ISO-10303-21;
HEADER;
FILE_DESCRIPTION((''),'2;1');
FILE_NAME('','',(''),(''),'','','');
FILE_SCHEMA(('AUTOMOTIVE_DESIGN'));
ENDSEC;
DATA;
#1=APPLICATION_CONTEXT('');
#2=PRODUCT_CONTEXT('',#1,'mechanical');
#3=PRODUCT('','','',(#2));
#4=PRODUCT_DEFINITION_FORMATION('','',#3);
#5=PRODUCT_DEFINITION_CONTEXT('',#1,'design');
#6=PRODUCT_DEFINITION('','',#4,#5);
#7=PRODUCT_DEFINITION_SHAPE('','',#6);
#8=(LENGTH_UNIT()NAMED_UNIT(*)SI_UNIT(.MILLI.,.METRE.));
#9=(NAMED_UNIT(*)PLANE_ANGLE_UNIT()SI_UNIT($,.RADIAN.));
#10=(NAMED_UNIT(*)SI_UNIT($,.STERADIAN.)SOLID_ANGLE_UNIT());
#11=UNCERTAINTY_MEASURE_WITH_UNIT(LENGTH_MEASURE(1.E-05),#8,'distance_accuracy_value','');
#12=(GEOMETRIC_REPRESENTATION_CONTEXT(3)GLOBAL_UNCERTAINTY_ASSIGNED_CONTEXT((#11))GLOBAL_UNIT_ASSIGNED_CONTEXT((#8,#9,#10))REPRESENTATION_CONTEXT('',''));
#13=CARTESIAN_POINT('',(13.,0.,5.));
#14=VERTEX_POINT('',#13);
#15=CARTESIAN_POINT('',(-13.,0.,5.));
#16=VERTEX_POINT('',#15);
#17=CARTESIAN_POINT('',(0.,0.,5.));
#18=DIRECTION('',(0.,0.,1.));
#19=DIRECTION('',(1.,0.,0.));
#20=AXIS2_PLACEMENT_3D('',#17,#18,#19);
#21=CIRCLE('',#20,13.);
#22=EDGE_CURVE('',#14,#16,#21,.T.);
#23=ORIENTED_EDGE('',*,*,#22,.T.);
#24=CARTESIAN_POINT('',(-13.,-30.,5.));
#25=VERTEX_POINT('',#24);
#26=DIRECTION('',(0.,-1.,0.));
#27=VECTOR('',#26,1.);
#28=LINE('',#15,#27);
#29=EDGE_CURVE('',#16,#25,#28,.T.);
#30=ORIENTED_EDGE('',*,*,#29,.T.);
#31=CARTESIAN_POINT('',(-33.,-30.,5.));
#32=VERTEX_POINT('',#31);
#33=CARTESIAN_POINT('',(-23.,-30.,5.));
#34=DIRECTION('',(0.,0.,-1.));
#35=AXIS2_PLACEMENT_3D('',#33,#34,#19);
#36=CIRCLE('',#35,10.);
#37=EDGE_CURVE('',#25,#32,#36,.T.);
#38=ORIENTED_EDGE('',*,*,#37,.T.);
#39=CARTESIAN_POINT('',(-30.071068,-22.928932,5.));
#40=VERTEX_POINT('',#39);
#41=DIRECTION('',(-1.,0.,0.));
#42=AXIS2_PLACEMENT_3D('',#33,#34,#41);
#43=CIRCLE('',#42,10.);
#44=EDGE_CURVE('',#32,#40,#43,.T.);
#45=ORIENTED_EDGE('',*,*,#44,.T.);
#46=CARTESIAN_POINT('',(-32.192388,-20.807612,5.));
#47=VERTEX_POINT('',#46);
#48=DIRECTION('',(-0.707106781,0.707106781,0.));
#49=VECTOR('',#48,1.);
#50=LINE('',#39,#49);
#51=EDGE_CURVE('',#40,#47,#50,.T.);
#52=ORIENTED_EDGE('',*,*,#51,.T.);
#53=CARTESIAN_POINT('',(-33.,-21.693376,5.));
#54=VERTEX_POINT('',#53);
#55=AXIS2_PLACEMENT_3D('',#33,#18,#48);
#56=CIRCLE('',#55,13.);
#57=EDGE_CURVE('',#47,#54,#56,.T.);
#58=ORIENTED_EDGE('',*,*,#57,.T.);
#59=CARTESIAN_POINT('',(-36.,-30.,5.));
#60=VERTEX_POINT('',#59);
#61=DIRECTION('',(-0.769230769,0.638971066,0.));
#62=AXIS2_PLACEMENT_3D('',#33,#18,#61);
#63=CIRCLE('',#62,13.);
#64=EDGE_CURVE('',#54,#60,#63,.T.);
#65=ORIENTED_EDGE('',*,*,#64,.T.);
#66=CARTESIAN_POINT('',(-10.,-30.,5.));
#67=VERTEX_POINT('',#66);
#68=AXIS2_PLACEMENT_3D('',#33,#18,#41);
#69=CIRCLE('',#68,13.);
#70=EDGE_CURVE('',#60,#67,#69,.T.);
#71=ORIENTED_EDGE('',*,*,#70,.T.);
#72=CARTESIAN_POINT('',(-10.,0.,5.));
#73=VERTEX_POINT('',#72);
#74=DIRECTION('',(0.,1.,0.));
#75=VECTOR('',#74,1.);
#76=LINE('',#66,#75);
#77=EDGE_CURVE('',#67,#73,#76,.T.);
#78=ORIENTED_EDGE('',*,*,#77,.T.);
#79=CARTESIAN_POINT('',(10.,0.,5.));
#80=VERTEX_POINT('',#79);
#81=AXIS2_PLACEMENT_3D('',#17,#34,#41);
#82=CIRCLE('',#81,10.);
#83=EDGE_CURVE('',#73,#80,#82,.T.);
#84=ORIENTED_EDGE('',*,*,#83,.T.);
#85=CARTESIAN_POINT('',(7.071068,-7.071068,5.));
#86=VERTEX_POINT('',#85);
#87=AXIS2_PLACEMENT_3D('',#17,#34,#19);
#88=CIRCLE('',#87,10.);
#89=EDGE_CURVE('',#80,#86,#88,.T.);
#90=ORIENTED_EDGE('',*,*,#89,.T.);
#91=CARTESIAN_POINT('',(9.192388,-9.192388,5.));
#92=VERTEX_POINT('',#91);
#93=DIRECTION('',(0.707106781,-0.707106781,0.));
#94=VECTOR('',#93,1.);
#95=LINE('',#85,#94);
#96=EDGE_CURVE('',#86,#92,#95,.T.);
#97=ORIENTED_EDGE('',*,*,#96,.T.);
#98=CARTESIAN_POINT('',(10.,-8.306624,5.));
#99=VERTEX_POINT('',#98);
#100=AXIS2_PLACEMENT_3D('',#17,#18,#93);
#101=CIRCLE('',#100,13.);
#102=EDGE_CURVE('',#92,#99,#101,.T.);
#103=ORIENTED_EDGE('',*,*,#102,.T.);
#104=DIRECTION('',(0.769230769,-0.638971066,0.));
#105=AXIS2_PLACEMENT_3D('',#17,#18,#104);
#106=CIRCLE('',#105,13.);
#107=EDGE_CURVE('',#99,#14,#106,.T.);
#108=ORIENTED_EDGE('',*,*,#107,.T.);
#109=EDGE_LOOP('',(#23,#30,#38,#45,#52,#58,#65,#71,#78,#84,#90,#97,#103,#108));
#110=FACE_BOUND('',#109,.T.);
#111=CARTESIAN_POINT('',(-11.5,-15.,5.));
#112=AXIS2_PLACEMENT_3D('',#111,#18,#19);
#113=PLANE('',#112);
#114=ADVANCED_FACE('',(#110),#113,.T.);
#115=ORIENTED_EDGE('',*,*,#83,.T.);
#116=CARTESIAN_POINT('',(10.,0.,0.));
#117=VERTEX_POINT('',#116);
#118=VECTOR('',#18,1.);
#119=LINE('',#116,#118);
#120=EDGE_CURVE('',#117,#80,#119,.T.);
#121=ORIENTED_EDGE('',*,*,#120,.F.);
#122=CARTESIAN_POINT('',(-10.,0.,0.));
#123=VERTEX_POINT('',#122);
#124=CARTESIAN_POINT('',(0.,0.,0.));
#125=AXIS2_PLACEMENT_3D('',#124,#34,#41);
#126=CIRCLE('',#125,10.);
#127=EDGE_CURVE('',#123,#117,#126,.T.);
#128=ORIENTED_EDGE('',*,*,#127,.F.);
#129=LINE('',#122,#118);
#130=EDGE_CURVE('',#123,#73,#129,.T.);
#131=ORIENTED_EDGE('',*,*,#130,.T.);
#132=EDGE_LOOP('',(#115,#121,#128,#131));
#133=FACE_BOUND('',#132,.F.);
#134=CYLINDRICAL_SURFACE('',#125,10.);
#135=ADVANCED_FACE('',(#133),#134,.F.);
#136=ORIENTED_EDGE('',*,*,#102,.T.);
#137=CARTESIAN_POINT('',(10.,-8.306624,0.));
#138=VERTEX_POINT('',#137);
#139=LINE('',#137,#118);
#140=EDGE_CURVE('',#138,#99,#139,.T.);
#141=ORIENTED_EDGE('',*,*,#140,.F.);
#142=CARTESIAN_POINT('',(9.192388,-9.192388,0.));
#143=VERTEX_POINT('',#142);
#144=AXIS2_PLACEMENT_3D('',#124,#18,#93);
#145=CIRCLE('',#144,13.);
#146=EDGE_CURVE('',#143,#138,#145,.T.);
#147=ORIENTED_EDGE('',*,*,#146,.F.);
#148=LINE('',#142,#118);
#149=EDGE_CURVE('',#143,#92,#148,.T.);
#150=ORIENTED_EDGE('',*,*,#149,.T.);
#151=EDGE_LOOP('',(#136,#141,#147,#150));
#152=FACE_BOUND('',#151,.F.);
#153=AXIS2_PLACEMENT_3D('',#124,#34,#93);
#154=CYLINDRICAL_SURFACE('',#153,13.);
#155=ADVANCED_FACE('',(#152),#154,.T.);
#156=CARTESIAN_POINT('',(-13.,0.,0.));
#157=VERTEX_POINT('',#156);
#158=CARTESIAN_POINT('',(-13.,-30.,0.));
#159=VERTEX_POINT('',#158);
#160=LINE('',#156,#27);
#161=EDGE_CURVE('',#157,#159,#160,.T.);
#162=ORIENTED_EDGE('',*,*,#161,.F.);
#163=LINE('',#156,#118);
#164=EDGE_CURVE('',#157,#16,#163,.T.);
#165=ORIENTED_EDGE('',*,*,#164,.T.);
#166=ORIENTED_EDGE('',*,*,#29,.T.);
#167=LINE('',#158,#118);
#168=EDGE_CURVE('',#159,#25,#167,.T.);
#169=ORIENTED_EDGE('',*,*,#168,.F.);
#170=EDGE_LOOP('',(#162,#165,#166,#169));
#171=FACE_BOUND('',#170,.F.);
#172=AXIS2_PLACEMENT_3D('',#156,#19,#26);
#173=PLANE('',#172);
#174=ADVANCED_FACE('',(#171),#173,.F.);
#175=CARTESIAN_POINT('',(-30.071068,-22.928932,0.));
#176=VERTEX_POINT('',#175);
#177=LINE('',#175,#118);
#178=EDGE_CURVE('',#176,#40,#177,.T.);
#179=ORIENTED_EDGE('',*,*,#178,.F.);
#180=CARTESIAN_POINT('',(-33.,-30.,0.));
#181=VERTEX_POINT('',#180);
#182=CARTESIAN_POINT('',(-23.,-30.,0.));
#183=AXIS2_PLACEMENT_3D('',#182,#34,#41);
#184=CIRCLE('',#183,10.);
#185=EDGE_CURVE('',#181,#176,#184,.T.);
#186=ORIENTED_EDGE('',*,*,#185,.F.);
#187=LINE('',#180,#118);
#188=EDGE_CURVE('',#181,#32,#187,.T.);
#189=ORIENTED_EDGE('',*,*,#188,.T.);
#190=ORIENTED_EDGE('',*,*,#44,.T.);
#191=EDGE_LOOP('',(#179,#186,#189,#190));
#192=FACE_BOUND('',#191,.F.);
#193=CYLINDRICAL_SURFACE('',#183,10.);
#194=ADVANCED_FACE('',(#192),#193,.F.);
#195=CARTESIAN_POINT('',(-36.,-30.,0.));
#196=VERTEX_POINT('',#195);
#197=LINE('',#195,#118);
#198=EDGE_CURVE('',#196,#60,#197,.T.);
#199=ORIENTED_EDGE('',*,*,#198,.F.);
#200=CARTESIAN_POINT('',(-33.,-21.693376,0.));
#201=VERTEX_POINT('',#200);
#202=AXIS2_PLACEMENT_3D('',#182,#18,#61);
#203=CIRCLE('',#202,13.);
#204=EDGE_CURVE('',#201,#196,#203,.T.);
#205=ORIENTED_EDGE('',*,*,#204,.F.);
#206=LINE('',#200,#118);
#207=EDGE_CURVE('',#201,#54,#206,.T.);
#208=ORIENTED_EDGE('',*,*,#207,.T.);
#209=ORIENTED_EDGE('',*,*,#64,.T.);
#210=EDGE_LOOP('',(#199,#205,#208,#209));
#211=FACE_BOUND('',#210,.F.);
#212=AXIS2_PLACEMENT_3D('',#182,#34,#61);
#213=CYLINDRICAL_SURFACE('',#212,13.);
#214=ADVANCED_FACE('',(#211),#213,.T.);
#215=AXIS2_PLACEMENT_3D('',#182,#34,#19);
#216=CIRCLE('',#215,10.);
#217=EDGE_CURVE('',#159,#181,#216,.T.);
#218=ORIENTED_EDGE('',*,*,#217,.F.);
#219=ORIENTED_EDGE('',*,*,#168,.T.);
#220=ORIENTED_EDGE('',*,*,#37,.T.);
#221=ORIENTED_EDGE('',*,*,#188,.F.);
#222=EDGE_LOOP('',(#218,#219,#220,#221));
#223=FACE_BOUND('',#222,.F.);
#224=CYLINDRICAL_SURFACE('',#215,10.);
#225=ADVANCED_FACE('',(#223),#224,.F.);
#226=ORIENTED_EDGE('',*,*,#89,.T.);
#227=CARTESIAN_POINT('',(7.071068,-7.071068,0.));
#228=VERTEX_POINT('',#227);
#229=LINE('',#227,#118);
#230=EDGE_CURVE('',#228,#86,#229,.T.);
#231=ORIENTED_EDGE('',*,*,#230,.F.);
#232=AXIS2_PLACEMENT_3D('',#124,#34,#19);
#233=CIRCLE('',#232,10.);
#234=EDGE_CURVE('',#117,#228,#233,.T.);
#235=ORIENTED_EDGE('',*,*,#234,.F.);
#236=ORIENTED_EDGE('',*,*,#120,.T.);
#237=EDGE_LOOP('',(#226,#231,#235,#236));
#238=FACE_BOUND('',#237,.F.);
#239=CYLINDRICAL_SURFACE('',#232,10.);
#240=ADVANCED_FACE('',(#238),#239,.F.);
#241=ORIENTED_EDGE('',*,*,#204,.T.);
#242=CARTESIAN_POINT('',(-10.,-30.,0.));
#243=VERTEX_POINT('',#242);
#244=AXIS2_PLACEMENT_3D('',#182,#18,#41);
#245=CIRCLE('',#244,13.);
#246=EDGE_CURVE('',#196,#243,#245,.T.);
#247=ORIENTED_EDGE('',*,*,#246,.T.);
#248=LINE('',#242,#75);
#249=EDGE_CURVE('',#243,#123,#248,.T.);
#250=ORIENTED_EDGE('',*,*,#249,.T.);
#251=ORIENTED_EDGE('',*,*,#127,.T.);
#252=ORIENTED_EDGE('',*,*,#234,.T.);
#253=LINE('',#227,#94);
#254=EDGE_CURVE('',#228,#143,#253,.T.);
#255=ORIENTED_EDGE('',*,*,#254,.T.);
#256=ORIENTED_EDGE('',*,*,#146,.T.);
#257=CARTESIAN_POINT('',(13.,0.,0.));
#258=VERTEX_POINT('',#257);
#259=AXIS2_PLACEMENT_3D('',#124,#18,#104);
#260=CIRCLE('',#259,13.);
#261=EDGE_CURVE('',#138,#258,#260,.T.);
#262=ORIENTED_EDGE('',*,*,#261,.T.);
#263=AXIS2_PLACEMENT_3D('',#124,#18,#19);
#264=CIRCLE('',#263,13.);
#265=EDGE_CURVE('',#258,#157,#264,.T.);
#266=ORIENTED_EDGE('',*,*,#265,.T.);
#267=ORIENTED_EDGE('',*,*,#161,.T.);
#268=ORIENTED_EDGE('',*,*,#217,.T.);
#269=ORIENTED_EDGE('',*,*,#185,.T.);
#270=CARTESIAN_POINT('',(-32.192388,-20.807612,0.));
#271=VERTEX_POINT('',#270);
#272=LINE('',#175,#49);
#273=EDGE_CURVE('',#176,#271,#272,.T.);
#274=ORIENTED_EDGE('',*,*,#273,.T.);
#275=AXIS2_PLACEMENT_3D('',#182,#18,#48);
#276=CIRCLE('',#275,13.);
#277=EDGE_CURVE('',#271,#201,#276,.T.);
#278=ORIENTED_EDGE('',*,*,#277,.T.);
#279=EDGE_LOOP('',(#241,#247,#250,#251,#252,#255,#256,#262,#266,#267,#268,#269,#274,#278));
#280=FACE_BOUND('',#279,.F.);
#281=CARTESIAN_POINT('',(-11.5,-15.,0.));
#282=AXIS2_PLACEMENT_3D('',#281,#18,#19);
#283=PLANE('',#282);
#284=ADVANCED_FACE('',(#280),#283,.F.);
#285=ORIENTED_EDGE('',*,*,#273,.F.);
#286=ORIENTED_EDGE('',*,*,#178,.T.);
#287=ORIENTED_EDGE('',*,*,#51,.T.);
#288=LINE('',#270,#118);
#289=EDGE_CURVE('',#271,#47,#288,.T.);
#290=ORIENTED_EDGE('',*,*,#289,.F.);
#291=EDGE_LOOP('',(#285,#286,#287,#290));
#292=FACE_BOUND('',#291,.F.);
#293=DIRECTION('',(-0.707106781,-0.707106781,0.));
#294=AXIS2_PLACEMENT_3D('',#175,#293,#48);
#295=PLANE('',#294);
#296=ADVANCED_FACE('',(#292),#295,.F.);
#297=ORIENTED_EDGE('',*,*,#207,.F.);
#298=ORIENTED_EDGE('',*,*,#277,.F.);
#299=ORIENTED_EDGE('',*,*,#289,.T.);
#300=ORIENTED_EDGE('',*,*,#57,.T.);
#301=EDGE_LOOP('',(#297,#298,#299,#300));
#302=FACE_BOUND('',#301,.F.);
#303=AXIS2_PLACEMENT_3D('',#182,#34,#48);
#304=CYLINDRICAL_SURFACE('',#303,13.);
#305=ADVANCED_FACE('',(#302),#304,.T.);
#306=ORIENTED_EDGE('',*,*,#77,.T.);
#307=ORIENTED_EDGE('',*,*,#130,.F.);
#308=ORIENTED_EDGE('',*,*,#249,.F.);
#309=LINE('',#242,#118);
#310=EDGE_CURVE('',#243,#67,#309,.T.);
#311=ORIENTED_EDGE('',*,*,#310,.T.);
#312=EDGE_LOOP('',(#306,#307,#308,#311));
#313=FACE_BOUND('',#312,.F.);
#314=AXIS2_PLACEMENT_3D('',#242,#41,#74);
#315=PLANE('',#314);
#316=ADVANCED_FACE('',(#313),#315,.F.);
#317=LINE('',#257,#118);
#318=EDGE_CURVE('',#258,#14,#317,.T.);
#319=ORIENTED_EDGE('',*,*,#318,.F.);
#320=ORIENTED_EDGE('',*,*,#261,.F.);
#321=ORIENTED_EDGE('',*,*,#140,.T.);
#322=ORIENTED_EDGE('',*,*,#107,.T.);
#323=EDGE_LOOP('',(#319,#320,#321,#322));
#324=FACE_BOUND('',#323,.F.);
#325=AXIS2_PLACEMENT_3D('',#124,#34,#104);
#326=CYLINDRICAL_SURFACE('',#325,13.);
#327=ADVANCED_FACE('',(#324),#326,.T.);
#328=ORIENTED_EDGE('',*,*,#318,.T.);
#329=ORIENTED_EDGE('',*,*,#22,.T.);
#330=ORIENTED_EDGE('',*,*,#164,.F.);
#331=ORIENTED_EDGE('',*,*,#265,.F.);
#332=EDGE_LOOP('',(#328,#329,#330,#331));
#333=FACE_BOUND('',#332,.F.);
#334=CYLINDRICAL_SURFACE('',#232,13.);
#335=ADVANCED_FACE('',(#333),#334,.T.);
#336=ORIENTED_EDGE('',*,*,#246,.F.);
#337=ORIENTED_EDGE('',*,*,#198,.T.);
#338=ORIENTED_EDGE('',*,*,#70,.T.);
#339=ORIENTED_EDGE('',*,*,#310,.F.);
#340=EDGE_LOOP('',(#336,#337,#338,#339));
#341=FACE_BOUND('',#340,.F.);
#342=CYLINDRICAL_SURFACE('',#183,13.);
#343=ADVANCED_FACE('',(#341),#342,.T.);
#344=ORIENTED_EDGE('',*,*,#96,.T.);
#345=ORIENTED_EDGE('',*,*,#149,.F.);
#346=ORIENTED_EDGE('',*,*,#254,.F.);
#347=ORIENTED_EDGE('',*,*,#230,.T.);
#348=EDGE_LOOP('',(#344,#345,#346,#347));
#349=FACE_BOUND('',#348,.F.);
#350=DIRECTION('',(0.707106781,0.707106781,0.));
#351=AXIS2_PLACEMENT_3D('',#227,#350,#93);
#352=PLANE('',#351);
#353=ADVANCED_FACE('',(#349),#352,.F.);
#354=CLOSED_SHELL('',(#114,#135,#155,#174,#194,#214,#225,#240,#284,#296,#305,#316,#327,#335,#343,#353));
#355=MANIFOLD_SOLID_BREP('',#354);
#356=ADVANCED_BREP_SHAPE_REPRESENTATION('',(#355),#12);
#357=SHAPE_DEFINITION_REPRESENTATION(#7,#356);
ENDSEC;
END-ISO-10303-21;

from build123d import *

# Parameters (mm, degrees)
F1_DEPTH = 5


with BuildPart() as f1:
    # F0 (on Top) → F1 (new body)
    with BuildSketch(Plane.XY):
        with BuildLine():
            Line((-10, -30), (-10, -8.3066238629))
            ThreePointArc((-10, -8.3066238629), (-12.2270192606, -4.4158804332), (-13, 0))
            Line((-13, 0), (-13, -21.6933761371))
            ThreePointArc((-13, -21.6933761371), (-10.7729807394, -25.5841195668), (-10, -30))
        make_face()
        with BuildLine():
            Line((-10, -8.3066238629), (-10, 0))
            Line((-10, 0), (-13, 0))
            ThreePointArc((-13, 0), (-12.2270192606, -4.4158804332), (-10, -8.3066238629))
        make_face()
        with BuildLine():
            Line((-13, -30), (-10, -30))
            ThreePointArc((-10, -30), (-10.7729807394, -25.5841195668), (-13, -21.6933761371))
            Line((-13, -21.6933761371), (-13, -30))
        make_face()
        with BuildLine():
            ThreePointArc((-36, -30), (-23, -43), (-10, -30))
            Line((-10, -30), (-13, -30))
            ThreePointArc((-13, -30), (-23, -40), (-33, -30))
            Line((-33, -30), (-36, -30))
        make_face()
        with BuildLine():
            ThreePointArc((-10, 0), (0, 10), (10, 0))
            Line((10, 0), (10, -8.3066238629))
            ThreePointArc((10, -8.3066238629), (12.2270192606, -4.4158804332), (13, 0))
            ThreePointArc((13, 0), (0, 13), (-13, 0))
            Line((-13, 0), (-10, 0))
        make_face()
        with BuildLine():
            ThreePointArc((-33, -21.6933761371), (-35.2270192606, -25.5841195668), (-36, -30))
            Line((-36, -30), (-33, -30))
            Line((-33, -30), (-33, -21.6933761371))
        make_face()
        with BuildLine():
            Line((-33, -21.6933761371), (-33, -30))
            ThreePointArc((-33, -30), (-32.2387953251, -26.1731656763), (-30.0710678119, -22.9289321881))
            Line((-30.0710678119, -22.9289321881), (-32.1923881554, -20.8076118446))
            ThreePointArc((-32.1923881554, -20.8076118446), (-32.6064085574, -21.2411807515), (-33, -21.6933761371))
        make_face()
        with BuildLine():
            Line((10, -8.3066238629), (10, 0))
            ThreePointArc((10, 0), (9.2387953251, -3.8268343237), (7.0710678119, -7.0710678119))
            Line((7.0710678119, -7.0710678119), (9.1923881554, -9.1923881554))
            ThreePointArc((9.1923881554, -9.1923881554), (9.6064085574, -8.7588192485), (10, -8.3066238629))
        make_face()
    extrude(amount=F1_DEPTH)


solid = f1.part
